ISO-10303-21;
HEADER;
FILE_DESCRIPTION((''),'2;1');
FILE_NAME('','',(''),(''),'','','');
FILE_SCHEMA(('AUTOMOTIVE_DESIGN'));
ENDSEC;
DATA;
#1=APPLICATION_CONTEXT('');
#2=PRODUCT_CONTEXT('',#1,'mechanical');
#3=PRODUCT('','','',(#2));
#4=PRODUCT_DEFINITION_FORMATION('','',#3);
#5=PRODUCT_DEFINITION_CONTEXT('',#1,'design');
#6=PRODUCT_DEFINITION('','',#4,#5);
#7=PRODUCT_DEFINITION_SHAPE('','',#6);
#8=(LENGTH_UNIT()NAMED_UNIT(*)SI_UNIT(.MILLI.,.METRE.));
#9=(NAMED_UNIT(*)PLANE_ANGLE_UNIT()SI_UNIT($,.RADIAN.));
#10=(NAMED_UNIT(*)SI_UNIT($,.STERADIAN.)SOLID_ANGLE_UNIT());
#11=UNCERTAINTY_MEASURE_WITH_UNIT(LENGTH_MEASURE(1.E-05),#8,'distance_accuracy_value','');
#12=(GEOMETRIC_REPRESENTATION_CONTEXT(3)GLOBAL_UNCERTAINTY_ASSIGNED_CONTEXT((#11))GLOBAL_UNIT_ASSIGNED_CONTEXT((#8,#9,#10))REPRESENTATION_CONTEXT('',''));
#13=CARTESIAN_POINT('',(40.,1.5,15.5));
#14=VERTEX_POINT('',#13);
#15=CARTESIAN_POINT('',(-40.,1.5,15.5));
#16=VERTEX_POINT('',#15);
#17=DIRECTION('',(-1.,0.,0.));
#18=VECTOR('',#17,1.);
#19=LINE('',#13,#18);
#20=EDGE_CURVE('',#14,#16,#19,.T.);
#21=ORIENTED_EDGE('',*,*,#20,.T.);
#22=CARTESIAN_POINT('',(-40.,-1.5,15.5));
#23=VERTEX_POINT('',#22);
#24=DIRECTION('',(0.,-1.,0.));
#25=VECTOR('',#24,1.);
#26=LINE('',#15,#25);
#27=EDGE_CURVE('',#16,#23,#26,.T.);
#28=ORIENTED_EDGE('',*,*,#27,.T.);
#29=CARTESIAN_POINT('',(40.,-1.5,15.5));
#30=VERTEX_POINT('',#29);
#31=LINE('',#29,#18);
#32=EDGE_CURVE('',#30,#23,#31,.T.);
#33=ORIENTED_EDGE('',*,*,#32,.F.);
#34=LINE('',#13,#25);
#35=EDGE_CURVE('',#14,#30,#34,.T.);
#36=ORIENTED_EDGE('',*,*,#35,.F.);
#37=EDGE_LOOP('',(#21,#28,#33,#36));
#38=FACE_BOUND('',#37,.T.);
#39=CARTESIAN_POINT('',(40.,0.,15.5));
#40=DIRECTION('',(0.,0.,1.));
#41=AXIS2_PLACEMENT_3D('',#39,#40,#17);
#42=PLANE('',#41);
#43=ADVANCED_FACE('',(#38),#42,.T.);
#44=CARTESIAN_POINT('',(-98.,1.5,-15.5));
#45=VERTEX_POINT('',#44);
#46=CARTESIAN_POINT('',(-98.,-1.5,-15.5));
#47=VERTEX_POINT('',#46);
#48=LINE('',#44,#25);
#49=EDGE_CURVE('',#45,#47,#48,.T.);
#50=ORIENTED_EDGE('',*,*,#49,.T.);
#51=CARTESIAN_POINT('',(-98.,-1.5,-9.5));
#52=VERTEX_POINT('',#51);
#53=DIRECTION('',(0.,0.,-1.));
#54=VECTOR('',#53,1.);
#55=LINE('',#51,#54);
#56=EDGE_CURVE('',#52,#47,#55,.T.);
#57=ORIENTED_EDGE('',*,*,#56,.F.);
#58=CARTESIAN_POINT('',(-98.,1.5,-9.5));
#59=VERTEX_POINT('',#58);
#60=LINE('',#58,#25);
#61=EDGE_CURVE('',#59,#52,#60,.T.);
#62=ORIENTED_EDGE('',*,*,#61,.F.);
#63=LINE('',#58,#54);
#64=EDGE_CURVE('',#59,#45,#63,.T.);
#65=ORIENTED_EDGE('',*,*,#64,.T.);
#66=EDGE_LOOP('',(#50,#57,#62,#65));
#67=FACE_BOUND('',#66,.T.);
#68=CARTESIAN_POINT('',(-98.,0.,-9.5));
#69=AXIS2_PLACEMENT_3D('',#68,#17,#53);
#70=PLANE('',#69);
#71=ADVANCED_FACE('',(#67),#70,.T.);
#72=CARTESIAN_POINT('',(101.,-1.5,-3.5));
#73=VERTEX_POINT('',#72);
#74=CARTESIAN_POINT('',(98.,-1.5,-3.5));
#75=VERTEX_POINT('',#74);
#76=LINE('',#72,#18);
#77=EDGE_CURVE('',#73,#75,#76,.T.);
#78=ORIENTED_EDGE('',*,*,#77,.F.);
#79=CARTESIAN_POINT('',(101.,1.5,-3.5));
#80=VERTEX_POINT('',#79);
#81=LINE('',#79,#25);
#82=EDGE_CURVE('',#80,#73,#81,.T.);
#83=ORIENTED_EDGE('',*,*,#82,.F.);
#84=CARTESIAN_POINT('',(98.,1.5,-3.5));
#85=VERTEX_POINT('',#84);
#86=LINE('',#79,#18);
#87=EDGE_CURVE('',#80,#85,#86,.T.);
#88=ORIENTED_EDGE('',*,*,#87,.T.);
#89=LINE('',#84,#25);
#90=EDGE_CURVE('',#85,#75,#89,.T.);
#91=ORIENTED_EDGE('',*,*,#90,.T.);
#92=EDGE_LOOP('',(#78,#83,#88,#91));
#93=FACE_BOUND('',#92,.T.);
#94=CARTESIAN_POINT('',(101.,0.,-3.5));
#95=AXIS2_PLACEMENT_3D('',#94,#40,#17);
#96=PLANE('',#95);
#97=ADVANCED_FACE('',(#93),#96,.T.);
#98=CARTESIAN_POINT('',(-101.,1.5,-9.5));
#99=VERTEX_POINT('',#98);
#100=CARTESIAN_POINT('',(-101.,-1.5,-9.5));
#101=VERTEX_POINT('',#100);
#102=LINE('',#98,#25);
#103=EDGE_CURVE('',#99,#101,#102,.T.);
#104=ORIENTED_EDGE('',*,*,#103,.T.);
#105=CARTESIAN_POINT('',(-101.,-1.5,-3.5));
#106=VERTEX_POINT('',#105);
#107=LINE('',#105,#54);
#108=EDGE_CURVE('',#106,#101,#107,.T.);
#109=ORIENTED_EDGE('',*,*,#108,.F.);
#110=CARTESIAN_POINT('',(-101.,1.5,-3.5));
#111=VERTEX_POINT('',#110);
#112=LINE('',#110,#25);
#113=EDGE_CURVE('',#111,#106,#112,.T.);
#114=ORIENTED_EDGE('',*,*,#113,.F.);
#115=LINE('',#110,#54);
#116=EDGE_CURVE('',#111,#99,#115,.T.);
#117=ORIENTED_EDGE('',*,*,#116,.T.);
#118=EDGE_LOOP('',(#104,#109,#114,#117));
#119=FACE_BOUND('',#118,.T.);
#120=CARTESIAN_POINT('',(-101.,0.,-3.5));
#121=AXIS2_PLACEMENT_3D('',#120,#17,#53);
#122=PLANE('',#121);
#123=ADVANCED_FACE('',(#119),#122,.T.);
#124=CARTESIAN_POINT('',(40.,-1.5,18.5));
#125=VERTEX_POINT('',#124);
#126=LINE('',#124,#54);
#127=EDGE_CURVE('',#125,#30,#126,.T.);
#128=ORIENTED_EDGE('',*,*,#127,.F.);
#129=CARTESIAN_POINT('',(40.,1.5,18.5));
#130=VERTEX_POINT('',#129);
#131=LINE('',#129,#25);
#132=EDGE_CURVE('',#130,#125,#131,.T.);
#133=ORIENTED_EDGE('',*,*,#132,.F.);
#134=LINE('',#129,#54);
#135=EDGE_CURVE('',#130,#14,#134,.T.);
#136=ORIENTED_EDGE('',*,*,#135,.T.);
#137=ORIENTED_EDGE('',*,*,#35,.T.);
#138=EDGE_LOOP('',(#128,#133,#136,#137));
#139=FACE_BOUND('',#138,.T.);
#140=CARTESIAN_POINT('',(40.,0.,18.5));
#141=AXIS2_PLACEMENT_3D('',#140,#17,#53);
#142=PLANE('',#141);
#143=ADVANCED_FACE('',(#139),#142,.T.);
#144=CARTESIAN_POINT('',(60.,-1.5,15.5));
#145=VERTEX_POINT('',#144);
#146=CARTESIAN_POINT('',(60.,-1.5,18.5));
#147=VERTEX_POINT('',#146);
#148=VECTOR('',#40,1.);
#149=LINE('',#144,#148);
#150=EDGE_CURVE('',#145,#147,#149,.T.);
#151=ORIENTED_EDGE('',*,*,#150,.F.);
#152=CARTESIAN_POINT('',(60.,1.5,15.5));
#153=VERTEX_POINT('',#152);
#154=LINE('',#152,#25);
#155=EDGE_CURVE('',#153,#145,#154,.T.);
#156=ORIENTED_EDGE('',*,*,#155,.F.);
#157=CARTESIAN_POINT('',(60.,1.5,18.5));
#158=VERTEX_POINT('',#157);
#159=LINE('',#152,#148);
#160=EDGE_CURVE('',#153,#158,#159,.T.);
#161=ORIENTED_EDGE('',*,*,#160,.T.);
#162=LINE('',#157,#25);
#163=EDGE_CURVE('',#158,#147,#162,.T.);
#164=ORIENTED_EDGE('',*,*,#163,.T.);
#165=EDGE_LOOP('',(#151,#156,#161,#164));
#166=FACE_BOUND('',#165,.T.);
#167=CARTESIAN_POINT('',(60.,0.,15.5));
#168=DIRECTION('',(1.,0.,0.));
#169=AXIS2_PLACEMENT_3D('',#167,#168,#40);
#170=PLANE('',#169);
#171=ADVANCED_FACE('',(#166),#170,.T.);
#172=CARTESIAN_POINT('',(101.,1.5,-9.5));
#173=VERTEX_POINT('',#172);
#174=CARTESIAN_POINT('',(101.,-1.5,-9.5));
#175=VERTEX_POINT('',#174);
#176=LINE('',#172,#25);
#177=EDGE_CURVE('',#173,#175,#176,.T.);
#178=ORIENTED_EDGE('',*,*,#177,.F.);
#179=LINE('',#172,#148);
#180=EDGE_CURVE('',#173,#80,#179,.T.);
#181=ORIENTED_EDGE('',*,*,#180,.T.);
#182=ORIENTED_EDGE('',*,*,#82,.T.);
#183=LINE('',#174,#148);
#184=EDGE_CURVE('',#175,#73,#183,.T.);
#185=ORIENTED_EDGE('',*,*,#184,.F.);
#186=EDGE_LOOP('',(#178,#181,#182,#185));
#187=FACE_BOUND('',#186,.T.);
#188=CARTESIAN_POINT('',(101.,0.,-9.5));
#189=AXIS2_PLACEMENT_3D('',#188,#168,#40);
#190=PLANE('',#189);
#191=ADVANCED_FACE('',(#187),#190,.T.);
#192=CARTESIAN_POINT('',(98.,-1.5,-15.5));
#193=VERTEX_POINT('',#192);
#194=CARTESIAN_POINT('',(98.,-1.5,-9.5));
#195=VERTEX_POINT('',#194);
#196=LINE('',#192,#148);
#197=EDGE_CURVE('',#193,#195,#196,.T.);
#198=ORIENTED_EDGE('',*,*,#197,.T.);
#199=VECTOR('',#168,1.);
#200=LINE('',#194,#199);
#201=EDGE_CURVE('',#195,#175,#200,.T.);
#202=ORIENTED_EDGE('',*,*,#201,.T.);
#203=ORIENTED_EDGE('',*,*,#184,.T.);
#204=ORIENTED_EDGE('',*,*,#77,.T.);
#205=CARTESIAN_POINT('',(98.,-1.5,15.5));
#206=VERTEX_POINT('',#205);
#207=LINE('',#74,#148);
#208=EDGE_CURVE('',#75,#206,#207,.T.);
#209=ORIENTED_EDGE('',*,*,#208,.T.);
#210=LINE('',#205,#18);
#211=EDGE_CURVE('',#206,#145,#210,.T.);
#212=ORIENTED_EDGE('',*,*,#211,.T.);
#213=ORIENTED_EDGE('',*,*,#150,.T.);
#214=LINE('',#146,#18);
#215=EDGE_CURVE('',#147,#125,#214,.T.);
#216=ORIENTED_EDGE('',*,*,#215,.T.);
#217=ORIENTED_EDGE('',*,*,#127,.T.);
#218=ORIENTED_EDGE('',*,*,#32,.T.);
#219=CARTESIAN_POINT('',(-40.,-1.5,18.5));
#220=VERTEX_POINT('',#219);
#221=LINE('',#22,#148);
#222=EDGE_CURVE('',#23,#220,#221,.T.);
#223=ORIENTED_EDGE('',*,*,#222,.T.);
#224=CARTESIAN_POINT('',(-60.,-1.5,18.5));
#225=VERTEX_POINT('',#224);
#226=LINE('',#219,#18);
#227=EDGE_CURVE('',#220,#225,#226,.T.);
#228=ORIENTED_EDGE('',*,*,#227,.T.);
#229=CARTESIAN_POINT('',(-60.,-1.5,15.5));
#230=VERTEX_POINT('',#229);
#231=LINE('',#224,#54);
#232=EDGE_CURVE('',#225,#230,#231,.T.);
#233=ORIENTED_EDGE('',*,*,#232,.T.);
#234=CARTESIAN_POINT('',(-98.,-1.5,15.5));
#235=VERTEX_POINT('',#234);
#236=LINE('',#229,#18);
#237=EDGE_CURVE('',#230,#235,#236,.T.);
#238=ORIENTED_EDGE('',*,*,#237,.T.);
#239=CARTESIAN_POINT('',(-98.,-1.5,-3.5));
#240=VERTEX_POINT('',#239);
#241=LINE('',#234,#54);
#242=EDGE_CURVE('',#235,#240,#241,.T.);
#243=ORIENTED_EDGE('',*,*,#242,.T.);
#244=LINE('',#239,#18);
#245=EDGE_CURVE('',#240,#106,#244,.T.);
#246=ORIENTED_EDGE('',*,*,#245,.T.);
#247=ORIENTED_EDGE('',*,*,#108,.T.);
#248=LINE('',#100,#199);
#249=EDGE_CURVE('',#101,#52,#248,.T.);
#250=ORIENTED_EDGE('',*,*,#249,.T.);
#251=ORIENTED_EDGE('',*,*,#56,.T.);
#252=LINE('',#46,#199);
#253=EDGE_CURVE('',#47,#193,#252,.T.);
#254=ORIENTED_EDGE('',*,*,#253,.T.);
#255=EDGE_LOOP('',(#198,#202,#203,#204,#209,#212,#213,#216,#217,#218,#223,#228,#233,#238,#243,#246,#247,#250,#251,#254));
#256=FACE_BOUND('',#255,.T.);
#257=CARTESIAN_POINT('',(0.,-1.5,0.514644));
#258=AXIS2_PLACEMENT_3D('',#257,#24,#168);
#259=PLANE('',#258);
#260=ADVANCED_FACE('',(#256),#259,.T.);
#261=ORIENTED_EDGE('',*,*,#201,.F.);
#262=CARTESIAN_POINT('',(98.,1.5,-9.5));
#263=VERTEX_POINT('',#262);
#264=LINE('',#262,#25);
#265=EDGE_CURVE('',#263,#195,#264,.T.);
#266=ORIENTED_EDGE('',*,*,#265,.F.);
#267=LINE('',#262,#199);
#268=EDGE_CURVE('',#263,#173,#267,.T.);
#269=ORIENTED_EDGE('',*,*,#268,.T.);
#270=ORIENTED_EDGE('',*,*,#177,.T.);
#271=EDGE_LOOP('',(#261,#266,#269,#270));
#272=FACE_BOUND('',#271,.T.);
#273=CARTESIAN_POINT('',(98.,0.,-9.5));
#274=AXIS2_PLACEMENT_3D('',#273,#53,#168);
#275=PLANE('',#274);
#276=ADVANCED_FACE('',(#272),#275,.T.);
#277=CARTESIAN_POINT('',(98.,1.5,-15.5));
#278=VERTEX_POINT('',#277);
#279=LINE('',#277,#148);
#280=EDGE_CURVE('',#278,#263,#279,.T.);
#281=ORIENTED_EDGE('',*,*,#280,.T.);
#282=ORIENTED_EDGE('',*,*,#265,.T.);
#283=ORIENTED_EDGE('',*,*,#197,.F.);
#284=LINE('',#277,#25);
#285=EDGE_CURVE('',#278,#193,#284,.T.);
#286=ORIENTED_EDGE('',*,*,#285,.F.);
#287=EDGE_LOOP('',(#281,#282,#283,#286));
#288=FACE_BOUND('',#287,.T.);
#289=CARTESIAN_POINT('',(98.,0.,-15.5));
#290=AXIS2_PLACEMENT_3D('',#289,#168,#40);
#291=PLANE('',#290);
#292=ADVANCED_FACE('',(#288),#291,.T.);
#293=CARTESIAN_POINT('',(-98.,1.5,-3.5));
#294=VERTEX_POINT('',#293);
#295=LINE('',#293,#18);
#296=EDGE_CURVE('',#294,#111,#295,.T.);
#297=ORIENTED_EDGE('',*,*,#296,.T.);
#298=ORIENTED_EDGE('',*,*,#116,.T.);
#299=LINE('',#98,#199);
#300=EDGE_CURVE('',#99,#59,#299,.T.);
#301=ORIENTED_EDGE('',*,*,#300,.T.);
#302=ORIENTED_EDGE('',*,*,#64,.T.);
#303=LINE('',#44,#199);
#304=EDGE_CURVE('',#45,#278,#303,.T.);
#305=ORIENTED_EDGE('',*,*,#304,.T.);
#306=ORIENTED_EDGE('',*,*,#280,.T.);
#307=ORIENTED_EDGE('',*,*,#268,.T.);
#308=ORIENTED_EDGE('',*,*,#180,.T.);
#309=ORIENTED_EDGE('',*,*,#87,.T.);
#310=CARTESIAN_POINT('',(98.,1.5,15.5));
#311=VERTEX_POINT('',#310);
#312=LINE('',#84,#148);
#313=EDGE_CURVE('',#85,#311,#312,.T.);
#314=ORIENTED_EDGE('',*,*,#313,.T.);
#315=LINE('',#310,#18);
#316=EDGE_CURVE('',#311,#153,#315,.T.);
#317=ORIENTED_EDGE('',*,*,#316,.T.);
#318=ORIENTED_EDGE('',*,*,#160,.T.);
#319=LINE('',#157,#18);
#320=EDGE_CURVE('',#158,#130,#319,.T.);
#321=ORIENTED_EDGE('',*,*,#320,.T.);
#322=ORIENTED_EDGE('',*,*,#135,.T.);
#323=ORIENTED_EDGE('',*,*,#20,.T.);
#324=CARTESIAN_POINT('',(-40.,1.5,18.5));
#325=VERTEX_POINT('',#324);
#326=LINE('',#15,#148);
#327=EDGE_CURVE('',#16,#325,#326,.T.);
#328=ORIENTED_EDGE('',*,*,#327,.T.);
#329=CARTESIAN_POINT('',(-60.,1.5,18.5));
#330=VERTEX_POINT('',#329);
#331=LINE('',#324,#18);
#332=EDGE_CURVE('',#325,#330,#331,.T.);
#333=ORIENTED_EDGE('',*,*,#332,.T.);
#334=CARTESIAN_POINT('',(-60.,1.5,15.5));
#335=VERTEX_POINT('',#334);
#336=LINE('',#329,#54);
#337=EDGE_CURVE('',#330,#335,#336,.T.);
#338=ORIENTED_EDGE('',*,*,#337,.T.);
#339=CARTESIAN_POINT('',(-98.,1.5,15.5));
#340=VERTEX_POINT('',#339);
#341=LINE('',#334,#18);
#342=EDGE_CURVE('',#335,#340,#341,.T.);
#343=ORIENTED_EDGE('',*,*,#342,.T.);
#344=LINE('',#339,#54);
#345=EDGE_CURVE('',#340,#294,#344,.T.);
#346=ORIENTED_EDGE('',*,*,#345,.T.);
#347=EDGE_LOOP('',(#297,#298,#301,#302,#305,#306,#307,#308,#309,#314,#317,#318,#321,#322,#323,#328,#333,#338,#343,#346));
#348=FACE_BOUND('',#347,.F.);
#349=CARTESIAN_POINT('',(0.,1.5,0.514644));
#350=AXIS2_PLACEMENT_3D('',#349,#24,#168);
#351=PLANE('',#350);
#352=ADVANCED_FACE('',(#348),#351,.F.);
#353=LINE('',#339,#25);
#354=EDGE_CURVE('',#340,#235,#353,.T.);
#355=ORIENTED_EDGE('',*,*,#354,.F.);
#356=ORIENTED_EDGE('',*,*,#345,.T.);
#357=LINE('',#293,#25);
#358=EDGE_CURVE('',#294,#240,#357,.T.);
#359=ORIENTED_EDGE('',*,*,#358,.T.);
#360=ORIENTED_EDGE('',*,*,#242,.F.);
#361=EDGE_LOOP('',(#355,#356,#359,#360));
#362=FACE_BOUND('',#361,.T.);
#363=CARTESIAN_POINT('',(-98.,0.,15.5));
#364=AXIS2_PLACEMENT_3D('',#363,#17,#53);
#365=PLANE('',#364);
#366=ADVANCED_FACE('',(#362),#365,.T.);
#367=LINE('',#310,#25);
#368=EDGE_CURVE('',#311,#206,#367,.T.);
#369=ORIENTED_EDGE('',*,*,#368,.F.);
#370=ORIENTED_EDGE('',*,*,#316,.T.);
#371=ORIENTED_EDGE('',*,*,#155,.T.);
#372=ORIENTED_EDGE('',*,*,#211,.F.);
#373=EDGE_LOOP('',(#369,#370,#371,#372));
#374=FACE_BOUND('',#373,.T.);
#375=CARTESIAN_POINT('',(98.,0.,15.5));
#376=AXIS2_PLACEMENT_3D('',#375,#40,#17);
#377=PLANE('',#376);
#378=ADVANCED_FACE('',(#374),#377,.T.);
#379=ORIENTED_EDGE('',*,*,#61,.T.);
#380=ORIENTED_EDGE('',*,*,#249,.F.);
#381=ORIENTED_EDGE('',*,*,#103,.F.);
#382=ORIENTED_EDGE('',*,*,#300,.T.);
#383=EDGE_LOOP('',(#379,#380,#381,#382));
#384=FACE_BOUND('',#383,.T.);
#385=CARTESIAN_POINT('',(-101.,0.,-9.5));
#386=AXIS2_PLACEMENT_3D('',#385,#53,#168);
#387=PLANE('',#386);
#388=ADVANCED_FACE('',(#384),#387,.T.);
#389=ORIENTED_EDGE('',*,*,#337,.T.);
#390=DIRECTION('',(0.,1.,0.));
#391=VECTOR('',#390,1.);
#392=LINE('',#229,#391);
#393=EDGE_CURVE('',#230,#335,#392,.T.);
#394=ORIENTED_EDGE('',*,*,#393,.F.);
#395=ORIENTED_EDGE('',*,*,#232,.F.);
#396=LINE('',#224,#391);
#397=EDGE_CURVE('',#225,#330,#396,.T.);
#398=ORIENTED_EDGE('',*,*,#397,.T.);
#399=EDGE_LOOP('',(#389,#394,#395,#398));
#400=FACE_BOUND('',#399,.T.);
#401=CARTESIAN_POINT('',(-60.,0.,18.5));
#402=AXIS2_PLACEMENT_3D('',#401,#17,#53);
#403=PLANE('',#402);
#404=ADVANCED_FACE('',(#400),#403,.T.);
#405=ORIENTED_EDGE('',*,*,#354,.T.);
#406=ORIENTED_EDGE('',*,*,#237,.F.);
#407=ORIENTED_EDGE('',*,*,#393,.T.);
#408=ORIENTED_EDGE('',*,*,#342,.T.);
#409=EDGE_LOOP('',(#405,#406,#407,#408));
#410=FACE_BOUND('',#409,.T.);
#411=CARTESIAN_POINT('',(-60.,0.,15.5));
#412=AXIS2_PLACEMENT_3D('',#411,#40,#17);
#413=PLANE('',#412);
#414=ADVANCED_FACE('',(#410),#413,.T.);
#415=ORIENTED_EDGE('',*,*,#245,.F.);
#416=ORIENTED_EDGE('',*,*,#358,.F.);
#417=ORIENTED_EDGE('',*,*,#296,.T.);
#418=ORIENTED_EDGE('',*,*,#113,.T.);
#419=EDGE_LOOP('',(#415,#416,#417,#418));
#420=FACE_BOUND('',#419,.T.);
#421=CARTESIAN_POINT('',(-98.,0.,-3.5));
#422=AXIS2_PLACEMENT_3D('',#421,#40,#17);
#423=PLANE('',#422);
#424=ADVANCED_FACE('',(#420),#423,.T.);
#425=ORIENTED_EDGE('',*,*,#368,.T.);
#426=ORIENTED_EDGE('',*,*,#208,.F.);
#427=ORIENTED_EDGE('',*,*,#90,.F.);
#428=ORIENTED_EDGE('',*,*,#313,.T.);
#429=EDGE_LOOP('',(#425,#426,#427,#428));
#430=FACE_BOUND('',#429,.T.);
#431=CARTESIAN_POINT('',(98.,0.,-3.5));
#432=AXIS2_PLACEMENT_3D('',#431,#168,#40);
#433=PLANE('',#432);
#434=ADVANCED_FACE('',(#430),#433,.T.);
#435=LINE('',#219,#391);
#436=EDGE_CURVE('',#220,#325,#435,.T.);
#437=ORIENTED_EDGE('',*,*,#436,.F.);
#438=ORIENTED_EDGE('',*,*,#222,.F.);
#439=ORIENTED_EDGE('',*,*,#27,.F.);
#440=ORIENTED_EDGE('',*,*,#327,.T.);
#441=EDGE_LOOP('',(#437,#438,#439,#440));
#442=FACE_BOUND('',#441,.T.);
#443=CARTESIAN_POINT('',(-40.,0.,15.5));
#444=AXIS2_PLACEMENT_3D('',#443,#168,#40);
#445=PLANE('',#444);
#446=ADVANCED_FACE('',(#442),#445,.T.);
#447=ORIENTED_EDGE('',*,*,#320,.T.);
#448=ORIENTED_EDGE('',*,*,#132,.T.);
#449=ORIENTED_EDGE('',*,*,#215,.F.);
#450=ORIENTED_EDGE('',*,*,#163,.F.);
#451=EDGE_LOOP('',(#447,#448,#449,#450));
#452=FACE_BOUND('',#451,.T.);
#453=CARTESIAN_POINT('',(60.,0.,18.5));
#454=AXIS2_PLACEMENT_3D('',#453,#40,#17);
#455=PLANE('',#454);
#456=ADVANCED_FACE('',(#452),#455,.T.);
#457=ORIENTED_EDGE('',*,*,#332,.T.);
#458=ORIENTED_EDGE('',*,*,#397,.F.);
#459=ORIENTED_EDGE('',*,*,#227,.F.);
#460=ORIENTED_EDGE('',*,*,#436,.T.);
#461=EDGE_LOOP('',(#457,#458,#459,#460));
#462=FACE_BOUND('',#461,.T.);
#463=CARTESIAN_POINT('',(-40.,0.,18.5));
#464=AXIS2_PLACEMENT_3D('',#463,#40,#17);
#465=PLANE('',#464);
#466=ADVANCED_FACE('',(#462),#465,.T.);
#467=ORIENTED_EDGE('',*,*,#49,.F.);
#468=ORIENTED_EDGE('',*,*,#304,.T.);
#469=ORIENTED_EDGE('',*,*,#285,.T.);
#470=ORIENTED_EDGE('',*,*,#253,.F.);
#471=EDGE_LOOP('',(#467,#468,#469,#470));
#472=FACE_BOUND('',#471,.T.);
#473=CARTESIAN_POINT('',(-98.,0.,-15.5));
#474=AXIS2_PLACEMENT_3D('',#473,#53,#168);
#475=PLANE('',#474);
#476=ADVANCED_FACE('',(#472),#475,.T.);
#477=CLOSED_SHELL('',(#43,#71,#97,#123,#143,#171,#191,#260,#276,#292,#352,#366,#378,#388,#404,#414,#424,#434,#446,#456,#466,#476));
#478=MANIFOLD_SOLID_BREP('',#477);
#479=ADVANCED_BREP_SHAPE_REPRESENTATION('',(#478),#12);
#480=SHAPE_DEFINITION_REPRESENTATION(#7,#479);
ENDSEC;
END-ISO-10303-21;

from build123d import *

# Parameters (mm, degrees)
F1_DEPTH = 1.5


with BuildPart() as f1:
    # F0 (on Front) → F1 (new body, symmetric)
    with BuildSketch(Plane.XZ):
        Polygon((-60, 15.5), (-98, 15.5), (-98, -3.5), (-101, -3.5), (-101, -9.5), (-98, -9.5), (-98, -15.5), (98, -15.5), (98, -9.5), (101, -9.5), (101, -3.5), (98, -3.5), (98, 15.5), (60, 15.5), (60, 18.5), (40, 18.5), (40, 15.5), (0, 15.5), (-40, 15.5), (-40, 18.5), (-60, 18.5), align=None)
    extrude(amount=F1_DEPTH, both=True)


solid = f1.part
